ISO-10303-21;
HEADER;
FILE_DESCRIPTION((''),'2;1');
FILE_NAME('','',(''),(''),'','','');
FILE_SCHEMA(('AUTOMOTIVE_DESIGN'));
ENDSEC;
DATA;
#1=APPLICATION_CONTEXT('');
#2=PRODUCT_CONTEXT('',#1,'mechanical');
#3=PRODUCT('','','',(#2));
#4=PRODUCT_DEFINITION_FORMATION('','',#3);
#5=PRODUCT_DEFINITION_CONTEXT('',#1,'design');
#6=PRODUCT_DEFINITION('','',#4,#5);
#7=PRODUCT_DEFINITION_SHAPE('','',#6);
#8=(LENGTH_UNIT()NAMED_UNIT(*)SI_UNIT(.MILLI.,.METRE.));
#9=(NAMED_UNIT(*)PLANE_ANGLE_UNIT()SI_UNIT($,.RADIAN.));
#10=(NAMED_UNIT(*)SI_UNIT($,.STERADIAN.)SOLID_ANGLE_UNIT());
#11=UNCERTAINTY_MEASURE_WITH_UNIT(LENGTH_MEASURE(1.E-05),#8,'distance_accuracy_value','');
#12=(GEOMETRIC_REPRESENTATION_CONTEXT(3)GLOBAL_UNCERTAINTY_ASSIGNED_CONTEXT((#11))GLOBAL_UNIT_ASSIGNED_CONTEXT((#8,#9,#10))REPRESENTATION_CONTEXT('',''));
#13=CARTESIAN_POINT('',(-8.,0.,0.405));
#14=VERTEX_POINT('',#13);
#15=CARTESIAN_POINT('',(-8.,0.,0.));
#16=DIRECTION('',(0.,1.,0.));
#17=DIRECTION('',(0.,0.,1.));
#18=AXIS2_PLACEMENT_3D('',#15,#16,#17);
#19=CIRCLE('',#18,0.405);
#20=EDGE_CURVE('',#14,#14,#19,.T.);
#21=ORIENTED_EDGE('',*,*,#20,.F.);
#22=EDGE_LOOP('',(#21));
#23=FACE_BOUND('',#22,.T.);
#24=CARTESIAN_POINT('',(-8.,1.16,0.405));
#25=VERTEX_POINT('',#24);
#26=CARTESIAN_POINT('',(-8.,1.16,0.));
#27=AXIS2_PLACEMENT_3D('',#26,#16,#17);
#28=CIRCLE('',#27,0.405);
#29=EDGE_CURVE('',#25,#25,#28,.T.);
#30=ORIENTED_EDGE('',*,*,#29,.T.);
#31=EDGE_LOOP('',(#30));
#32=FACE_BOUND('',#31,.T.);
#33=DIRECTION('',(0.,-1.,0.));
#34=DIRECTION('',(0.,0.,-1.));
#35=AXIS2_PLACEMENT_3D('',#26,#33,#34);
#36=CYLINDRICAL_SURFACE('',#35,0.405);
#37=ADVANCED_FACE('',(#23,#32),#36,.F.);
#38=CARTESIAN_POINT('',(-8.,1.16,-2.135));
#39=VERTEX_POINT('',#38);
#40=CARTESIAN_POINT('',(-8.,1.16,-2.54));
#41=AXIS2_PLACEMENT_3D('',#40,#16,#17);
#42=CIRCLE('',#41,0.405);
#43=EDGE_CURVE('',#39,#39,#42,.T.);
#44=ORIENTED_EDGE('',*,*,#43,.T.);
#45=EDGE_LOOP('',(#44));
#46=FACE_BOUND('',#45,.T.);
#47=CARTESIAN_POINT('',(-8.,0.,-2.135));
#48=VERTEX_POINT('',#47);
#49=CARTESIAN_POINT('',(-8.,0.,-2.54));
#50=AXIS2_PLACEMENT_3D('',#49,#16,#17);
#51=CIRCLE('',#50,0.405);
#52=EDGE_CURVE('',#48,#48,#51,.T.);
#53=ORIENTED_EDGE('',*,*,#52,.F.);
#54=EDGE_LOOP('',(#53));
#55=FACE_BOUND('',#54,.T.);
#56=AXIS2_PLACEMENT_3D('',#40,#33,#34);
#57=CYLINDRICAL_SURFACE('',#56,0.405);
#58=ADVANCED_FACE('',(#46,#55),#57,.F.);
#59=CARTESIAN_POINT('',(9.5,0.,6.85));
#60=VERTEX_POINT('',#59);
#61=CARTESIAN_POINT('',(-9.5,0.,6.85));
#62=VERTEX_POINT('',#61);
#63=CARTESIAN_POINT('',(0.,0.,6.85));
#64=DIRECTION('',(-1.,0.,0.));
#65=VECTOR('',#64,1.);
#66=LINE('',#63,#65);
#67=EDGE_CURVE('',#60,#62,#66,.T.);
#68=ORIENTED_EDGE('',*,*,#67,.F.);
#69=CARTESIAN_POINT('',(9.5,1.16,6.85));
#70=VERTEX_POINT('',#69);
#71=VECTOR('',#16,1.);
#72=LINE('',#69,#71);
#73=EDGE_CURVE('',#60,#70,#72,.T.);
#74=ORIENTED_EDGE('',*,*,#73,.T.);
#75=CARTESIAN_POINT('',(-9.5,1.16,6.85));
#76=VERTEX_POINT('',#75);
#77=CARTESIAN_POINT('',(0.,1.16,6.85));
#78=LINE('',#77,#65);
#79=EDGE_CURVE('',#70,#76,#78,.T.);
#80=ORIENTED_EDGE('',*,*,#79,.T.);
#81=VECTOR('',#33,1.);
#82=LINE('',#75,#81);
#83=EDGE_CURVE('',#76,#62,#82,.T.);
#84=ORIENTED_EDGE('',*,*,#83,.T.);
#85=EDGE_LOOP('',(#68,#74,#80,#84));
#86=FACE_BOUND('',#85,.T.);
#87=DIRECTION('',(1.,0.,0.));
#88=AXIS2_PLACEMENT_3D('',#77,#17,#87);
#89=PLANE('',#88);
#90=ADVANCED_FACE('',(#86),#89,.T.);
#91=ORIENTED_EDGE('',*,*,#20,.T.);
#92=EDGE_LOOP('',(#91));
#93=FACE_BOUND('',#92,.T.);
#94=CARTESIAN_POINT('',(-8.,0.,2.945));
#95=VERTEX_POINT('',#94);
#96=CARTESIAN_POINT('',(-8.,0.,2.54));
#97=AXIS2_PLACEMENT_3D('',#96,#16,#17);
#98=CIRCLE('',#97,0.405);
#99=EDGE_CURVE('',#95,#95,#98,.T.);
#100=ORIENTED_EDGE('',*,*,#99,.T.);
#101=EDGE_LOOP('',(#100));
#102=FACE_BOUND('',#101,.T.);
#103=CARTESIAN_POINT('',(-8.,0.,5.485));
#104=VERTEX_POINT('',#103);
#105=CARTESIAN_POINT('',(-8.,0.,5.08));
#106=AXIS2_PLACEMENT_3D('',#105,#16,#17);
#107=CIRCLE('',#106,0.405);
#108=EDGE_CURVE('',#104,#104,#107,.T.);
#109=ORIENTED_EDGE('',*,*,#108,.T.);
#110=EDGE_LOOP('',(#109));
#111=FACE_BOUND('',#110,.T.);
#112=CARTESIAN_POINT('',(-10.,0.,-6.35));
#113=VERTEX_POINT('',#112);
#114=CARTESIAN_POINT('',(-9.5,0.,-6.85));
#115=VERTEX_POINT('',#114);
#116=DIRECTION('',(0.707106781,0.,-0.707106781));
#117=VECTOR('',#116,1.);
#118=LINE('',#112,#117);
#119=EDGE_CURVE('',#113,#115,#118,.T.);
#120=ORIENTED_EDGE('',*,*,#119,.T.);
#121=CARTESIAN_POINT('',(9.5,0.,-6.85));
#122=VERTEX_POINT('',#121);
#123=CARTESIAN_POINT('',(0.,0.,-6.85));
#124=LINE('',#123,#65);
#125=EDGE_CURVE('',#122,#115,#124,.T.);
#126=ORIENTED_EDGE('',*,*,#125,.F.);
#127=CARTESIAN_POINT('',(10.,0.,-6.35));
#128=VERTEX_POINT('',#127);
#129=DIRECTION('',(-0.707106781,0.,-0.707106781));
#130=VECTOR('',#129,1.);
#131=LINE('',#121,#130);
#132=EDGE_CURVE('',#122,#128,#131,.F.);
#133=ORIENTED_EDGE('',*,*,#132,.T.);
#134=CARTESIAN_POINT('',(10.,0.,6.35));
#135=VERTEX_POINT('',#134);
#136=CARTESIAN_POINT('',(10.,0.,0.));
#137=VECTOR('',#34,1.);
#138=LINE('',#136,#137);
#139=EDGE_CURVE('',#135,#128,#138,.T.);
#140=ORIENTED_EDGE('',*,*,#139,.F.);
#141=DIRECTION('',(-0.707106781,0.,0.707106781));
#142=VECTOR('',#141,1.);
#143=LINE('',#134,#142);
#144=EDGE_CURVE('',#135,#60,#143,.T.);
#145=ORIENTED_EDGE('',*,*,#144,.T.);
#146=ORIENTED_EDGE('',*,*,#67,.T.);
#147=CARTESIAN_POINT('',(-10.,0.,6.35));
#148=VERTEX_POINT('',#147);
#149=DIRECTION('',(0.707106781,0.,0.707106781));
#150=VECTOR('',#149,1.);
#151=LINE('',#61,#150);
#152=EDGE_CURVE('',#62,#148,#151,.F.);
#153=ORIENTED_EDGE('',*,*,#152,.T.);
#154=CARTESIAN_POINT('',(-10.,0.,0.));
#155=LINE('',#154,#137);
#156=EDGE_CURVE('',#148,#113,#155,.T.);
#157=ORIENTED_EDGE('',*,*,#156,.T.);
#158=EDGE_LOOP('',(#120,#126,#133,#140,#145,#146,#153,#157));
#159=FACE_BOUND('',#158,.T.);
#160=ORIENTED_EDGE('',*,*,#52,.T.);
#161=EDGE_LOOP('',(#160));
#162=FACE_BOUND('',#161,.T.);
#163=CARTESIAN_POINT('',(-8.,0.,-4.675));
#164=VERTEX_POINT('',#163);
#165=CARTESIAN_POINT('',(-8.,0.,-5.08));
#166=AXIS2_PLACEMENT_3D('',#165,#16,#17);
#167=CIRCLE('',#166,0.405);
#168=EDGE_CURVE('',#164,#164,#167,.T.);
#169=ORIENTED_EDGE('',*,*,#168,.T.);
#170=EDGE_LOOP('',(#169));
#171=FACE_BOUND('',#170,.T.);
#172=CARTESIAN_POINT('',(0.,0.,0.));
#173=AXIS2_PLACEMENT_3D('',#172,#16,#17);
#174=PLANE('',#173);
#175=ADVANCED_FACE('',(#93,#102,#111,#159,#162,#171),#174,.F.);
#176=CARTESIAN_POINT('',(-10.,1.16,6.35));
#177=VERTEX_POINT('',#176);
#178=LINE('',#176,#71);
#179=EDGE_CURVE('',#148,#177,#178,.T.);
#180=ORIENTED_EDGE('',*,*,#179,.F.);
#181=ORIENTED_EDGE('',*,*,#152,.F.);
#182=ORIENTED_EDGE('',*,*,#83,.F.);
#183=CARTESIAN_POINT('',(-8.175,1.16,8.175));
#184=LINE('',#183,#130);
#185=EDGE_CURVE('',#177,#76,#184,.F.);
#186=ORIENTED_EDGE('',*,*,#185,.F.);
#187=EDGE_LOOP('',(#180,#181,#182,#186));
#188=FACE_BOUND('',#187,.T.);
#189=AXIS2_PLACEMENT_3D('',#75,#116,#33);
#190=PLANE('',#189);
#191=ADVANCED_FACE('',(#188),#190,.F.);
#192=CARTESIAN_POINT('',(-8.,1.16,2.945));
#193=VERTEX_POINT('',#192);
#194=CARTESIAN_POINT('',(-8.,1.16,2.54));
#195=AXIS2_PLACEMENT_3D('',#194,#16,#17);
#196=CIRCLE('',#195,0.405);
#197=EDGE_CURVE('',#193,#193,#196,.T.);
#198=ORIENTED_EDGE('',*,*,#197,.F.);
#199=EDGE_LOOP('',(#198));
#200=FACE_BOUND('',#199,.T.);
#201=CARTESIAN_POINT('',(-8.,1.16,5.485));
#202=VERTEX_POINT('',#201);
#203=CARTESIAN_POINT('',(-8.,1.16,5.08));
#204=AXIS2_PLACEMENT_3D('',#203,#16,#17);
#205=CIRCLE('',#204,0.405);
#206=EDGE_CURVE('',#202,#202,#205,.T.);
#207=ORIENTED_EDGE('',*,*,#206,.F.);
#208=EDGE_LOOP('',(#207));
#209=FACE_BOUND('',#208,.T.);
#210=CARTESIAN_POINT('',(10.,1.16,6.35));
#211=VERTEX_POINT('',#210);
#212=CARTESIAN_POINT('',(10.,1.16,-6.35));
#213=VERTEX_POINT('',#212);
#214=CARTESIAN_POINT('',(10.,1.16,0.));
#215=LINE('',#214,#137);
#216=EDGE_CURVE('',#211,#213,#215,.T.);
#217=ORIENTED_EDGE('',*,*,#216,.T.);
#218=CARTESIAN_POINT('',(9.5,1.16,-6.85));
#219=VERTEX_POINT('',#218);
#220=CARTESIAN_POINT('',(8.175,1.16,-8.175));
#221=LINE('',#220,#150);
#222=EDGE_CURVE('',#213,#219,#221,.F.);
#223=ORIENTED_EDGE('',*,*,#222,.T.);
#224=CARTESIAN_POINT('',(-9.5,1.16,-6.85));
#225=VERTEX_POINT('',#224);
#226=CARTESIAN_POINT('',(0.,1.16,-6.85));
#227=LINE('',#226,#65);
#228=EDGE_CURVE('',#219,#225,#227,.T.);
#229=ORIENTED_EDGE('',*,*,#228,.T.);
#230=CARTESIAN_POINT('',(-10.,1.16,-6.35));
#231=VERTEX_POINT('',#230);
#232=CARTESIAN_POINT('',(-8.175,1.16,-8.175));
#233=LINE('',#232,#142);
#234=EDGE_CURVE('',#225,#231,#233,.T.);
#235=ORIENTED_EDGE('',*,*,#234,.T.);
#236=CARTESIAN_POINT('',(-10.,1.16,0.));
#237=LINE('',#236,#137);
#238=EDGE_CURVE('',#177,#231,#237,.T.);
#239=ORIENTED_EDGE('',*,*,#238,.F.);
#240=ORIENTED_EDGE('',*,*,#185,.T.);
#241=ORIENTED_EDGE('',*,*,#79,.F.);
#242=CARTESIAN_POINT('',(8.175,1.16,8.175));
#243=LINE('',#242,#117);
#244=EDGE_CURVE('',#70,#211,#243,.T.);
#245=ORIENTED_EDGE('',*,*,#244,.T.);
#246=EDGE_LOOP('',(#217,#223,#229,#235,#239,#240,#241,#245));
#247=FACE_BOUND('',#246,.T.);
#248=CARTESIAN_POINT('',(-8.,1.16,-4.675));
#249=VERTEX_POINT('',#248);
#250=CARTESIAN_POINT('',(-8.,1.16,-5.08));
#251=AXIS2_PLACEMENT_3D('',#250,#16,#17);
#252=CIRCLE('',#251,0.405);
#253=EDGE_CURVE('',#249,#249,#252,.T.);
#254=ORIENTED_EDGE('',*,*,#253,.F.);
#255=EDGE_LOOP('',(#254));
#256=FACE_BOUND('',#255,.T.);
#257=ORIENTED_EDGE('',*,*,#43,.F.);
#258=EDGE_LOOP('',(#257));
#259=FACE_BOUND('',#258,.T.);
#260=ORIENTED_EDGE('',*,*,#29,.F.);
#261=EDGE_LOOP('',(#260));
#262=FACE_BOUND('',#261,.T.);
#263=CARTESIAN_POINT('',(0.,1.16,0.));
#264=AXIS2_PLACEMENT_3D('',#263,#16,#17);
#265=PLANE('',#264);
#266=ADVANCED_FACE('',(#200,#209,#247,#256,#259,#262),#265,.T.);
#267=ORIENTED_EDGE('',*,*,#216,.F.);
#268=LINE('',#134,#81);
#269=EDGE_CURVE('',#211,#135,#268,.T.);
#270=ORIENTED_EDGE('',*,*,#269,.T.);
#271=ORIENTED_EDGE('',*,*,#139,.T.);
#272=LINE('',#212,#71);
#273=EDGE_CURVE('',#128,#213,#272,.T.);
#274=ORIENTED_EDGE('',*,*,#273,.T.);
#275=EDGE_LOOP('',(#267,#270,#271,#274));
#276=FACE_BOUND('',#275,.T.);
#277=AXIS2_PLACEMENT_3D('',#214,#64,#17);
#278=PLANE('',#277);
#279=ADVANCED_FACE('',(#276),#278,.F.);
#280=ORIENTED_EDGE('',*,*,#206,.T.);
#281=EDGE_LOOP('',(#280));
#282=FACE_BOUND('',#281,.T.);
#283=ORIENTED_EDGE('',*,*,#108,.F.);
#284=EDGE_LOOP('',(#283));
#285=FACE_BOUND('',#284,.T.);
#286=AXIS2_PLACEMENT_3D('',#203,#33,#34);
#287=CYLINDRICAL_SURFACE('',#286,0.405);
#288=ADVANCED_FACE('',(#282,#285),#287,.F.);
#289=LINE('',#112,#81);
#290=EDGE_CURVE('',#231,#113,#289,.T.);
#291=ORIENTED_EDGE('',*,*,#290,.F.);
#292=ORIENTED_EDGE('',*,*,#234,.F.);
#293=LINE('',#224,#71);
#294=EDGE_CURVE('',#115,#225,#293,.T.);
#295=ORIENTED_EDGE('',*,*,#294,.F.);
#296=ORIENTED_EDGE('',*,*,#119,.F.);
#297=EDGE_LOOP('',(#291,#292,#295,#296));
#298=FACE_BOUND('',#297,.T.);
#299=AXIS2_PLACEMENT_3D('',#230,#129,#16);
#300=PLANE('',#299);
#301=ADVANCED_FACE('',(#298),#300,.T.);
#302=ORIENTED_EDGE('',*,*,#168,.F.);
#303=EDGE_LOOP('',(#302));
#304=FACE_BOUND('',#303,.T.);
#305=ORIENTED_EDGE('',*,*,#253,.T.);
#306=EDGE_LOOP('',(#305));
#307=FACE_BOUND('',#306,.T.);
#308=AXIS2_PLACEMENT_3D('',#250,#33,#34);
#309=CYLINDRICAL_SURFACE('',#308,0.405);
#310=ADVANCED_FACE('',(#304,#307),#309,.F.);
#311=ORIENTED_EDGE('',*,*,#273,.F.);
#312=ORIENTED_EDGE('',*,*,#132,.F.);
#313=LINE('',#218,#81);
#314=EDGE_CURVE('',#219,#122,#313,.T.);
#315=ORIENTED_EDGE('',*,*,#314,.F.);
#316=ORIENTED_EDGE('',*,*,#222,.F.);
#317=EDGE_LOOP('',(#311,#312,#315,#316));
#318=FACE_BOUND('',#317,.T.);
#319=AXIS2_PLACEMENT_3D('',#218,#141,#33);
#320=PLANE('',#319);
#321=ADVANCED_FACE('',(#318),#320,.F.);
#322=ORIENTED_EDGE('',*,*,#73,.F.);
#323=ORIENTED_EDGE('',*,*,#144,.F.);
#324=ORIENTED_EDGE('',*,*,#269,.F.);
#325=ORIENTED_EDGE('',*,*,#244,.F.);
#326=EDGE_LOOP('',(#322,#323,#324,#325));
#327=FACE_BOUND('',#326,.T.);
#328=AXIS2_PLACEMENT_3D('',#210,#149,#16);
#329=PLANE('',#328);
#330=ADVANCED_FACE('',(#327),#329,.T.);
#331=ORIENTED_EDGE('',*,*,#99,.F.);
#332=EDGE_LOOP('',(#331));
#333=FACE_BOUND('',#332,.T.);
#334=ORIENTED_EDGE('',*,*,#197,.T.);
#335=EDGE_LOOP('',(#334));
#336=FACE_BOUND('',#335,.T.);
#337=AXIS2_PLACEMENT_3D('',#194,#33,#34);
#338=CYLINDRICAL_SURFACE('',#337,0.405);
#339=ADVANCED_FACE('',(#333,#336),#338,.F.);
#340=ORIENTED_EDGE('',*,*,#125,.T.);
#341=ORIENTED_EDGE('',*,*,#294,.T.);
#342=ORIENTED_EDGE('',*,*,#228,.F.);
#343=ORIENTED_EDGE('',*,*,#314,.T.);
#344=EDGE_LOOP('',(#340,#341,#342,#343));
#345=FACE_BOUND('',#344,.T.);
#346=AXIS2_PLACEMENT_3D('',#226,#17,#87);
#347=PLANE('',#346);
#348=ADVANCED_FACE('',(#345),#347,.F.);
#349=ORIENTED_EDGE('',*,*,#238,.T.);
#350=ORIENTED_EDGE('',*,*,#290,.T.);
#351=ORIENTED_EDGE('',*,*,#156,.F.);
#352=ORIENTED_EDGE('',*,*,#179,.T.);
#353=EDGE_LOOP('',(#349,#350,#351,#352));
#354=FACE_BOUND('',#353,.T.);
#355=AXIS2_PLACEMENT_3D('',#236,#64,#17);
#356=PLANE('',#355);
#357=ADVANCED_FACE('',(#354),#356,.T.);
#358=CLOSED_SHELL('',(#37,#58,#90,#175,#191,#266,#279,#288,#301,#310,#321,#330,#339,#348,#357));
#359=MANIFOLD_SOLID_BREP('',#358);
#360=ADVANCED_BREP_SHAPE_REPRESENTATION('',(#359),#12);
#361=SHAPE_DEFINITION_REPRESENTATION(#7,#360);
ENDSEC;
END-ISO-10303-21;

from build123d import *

# Parameters (mm, degrees)
SKETCH1_W           = 20
SKETCH1_H           = 13.7
SKETCH1_R           = 0.405
BOSS_EXTRUDE1_DEPTH = 1.16
CHAMFER1_SIZE       = 0.5


with BuildPart() as part:
    # Sketch1 → Boss-Extrude1 (new body)
    with BuildSketch(Plane(origin=(0, 0, 0), x_dir=(1, 0, 0), z_dir=(0, 1, 0))):
        Rectangle(SKETCH1_W, SKETCH1_H)
        with Locations(Location((-8, -5.08, 0), (0, 0, 270))):
            Circle(SKETCH1_R, mode=Mode.SUBTRACT)
        with Locations(Location((-8, -2.54, 0), (0, 0, 270))):
            Circle(SKETCH1_R, mode=Mode.SUBTRACT)
        with Locations(Location((-8, 0, 0), (0, 0, 270))):
            Circle(SKETCH1_R, mode=Mode.SUBTRACT)
        with Locations(Location((-8, 2.54, 0), (0, 0, 270))):
            Circle(SKETCH1_R, mode=Mode.SUBTRACT)
        with Locations(Location((-8, 5.08, 0), (0, 0, 270))):
            Circle(SKETCH1_R, mode=Mode.SUBTRACT)
    extrude(amount=BOSS_EXTRUDE1_DEPTH)

    # Chamfer1
    chamfer1_edges = [part.edges().sort_by_distance(p)[0] for p in [
        (-10, 0.58, -6.85),
        (10, 0.58, -6.85),
        (10, 0.58, 6.85),
        (-10, 0.58, 6.85),
    ]]
    chamfer(chamfer1_edges, length=CHAMFER1_SIZE)


solid = part.part
